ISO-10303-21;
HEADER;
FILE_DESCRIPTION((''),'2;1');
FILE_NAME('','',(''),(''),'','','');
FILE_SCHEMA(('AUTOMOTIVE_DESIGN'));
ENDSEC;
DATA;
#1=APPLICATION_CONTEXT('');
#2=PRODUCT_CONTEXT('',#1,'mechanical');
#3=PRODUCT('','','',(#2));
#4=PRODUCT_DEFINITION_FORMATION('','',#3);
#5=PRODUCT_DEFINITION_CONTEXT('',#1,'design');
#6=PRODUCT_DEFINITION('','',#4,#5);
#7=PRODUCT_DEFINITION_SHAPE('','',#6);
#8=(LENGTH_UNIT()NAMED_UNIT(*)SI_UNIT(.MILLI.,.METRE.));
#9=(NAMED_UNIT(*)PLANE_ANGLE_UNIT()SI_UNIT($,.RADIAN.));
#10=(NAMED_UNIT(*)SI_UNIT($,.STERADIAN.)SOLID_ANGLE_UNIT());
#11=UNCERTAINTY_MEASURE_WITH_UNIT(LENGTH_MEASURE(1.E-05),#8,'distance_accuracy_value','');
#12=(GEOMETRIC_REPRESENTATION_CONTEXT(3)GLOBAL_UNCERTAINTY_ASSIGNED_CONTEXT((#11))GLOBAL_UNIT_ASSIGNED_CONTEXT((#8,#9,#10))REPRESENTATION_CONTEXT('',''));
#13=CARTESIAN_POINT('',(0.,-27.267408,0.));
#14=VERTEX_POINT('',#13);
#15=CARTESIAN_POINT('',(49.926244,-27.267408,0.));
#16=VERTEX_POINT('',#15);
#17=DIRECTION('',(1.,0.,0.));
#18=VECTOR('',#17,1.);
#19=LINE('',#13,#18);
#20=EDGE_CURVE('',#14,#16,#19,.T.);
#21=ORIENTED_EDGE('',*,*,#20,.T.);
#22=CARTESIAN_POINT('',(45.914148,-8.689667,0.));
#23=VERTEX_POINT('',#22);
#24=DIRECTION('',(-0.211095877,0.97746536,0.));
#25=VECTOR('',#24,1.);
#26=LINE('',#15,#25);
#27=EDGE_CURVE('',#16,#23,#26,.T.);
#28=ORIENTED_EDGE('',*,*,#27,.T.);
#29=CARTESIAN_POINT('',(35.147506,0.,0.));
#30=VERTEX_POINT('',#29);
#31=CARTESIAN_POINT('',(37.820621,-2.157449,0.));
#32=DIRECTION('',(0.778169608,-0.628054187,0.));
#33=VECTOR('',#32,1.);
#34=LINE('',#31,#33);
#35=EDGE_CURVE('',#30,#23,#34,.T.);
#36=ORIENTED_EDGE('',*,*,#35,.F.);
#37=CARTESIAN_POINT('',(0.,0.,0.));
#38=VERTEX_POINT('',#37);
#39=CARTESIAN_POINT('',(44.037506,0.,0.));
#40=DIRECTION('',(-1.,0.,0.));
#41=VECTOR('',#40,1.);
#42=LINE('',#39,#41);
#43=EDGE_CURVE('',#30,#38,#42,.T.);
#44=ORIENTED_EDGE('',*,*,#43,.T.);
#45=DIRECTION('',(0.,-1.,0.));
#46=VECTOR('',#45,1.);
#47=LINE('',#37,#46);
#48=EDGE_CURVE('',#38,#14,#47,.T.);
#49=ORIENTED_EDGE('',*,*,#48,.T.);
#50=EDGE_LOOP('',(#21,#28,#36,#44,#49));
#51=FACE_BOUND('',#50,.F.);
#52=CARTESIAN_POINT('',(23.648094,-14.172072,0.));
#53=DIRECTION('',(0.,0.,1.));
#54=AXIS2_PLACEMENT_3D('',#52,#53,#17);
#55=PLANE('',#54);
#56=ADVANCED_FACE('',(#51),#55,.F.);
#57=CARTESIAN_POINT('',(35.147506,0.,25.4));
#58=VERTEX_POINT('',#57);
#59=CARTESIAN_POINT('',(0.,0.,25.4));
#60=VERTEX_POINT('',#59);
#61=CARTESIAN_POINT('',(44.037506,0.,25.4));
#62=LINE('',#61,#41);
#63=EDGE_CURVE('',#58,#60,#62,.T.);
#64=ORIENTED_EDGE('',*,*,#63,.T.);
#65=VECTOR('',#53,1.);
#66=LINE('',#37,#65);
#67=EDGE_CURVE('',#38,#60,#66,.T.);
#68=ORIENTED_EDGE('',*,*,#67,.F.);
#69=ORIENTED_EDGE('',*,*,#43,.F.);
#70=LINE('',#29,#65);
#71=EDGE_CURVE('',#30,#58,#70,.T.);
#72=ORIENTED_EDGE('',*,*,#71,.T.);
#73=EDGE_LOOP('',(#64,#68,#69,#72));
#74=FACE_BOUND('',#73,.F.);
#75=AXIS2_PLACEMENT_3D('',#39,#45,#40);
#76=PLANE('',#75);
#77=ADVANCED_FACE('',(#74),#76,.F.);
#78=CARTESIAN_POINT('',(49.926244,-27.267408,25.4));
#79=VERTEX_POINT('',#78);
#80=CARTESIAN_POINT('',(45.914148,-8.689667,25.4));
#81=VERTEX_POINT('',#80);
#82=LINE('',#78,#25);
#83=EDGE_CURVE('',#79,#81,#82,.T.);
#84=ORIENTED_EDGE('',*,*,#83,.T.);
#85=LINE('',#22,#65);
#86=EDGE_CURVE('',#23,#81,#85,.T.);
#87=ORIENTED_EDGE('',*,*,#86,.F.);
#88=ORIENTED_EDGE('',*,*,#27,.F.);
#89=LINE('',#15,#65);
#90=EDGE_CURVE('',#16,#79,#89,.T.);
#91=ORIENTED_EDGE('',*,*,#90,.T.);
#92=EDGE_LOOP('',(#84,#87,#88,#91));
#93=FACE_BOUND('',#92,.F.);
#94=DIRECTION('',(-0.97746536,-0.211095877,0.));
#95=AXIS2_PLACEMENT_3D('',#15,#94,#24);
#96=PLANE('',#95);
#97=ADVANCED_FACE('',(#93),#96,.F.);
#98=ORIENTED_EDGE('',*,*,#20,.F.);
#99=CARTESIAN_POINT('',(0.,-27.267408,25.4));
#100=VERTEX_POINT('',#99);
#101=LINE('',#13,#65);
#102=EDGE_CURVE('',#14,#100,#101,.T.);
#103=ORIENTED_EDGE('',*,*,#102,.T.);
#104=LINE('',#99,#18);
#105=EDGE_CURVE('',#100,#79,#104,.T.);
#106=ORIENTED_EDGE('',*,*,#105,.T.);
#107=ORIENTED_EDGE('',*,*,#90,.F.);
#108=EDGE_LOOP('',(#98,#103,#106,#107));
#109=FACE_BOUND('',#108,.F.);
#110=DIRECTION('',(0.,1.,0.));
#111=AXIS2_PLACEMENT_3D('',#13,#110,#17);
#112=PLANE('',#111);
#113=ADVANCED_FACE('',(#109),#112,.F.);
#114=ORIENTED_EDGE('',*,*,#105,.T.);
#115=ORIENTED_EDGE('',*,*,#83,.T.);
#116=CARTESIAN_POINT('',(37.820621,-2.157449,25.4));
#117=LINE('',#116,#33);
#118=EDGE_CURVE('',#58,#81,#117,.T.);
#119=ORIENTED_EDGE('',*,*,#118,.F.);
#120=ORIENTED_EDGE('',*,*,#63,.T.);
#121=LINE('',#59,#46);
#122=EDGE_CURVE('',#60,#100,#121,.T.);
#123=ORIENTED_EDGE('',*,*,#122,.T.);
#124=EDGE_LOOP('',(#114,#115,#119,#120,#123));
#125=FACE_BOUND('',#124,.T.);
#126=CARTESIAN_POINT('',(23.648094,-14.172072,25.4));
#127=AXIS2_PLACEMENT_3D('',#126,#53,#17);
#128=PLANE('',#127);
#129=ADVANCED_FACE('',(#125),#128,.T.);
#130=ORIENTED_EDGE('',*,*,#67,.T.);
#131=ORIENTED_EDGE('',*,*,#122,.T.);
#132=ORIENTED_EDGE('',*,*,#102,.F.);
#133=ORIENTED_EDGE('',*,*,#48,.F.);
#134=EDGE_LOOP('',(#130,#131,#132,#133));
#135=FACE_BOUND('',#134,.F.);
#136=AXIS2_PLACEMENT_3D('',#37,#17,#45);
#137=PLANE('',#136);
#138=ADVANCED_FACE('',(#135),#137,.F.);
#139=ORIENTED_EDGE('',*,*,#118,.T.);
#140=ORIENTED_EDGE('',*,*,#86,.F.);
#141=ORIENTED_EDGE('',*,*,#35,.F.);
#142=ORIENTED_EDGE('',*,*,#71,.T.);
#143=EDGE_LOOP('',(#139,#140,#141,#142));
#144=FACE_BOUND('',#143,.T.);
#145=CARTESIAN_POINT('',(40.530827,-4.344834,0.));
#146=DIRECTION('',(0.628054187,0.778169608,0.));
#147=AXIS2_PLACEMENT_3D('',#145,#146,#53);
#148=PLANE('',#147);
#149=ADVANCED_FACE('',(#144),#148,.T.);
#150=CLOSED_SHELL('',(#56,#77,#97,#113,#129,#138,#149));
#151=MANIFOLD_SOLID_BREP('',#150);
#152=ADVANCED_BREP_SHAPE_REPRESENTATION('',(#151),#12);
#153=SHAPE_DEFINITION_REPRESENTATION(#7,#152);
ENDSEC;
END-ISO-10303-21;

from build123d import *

# Parameters (mm, degrees)
F1_DEPTH = 25.4
F2_SIZE  = 8.89


with BuildPart() as f1:
    # F0 (on Top) → F1 (new body)
    with BuildSketch(Plane.XY):
        Polygon((44.037506, 0), (0, 0), (0, -27.267408), (49.926244, -27.267408), align=None)
    extrude(amount=F1_DEPTH)

    # F2
    f2_edges = [f1.edges().sort_by_distance(p)[0] for p in [
        (44.037506, 0, 12.7),
    ]]
    chamfer(f2_edges, length=F2_SIZE)


solid = f1.part
